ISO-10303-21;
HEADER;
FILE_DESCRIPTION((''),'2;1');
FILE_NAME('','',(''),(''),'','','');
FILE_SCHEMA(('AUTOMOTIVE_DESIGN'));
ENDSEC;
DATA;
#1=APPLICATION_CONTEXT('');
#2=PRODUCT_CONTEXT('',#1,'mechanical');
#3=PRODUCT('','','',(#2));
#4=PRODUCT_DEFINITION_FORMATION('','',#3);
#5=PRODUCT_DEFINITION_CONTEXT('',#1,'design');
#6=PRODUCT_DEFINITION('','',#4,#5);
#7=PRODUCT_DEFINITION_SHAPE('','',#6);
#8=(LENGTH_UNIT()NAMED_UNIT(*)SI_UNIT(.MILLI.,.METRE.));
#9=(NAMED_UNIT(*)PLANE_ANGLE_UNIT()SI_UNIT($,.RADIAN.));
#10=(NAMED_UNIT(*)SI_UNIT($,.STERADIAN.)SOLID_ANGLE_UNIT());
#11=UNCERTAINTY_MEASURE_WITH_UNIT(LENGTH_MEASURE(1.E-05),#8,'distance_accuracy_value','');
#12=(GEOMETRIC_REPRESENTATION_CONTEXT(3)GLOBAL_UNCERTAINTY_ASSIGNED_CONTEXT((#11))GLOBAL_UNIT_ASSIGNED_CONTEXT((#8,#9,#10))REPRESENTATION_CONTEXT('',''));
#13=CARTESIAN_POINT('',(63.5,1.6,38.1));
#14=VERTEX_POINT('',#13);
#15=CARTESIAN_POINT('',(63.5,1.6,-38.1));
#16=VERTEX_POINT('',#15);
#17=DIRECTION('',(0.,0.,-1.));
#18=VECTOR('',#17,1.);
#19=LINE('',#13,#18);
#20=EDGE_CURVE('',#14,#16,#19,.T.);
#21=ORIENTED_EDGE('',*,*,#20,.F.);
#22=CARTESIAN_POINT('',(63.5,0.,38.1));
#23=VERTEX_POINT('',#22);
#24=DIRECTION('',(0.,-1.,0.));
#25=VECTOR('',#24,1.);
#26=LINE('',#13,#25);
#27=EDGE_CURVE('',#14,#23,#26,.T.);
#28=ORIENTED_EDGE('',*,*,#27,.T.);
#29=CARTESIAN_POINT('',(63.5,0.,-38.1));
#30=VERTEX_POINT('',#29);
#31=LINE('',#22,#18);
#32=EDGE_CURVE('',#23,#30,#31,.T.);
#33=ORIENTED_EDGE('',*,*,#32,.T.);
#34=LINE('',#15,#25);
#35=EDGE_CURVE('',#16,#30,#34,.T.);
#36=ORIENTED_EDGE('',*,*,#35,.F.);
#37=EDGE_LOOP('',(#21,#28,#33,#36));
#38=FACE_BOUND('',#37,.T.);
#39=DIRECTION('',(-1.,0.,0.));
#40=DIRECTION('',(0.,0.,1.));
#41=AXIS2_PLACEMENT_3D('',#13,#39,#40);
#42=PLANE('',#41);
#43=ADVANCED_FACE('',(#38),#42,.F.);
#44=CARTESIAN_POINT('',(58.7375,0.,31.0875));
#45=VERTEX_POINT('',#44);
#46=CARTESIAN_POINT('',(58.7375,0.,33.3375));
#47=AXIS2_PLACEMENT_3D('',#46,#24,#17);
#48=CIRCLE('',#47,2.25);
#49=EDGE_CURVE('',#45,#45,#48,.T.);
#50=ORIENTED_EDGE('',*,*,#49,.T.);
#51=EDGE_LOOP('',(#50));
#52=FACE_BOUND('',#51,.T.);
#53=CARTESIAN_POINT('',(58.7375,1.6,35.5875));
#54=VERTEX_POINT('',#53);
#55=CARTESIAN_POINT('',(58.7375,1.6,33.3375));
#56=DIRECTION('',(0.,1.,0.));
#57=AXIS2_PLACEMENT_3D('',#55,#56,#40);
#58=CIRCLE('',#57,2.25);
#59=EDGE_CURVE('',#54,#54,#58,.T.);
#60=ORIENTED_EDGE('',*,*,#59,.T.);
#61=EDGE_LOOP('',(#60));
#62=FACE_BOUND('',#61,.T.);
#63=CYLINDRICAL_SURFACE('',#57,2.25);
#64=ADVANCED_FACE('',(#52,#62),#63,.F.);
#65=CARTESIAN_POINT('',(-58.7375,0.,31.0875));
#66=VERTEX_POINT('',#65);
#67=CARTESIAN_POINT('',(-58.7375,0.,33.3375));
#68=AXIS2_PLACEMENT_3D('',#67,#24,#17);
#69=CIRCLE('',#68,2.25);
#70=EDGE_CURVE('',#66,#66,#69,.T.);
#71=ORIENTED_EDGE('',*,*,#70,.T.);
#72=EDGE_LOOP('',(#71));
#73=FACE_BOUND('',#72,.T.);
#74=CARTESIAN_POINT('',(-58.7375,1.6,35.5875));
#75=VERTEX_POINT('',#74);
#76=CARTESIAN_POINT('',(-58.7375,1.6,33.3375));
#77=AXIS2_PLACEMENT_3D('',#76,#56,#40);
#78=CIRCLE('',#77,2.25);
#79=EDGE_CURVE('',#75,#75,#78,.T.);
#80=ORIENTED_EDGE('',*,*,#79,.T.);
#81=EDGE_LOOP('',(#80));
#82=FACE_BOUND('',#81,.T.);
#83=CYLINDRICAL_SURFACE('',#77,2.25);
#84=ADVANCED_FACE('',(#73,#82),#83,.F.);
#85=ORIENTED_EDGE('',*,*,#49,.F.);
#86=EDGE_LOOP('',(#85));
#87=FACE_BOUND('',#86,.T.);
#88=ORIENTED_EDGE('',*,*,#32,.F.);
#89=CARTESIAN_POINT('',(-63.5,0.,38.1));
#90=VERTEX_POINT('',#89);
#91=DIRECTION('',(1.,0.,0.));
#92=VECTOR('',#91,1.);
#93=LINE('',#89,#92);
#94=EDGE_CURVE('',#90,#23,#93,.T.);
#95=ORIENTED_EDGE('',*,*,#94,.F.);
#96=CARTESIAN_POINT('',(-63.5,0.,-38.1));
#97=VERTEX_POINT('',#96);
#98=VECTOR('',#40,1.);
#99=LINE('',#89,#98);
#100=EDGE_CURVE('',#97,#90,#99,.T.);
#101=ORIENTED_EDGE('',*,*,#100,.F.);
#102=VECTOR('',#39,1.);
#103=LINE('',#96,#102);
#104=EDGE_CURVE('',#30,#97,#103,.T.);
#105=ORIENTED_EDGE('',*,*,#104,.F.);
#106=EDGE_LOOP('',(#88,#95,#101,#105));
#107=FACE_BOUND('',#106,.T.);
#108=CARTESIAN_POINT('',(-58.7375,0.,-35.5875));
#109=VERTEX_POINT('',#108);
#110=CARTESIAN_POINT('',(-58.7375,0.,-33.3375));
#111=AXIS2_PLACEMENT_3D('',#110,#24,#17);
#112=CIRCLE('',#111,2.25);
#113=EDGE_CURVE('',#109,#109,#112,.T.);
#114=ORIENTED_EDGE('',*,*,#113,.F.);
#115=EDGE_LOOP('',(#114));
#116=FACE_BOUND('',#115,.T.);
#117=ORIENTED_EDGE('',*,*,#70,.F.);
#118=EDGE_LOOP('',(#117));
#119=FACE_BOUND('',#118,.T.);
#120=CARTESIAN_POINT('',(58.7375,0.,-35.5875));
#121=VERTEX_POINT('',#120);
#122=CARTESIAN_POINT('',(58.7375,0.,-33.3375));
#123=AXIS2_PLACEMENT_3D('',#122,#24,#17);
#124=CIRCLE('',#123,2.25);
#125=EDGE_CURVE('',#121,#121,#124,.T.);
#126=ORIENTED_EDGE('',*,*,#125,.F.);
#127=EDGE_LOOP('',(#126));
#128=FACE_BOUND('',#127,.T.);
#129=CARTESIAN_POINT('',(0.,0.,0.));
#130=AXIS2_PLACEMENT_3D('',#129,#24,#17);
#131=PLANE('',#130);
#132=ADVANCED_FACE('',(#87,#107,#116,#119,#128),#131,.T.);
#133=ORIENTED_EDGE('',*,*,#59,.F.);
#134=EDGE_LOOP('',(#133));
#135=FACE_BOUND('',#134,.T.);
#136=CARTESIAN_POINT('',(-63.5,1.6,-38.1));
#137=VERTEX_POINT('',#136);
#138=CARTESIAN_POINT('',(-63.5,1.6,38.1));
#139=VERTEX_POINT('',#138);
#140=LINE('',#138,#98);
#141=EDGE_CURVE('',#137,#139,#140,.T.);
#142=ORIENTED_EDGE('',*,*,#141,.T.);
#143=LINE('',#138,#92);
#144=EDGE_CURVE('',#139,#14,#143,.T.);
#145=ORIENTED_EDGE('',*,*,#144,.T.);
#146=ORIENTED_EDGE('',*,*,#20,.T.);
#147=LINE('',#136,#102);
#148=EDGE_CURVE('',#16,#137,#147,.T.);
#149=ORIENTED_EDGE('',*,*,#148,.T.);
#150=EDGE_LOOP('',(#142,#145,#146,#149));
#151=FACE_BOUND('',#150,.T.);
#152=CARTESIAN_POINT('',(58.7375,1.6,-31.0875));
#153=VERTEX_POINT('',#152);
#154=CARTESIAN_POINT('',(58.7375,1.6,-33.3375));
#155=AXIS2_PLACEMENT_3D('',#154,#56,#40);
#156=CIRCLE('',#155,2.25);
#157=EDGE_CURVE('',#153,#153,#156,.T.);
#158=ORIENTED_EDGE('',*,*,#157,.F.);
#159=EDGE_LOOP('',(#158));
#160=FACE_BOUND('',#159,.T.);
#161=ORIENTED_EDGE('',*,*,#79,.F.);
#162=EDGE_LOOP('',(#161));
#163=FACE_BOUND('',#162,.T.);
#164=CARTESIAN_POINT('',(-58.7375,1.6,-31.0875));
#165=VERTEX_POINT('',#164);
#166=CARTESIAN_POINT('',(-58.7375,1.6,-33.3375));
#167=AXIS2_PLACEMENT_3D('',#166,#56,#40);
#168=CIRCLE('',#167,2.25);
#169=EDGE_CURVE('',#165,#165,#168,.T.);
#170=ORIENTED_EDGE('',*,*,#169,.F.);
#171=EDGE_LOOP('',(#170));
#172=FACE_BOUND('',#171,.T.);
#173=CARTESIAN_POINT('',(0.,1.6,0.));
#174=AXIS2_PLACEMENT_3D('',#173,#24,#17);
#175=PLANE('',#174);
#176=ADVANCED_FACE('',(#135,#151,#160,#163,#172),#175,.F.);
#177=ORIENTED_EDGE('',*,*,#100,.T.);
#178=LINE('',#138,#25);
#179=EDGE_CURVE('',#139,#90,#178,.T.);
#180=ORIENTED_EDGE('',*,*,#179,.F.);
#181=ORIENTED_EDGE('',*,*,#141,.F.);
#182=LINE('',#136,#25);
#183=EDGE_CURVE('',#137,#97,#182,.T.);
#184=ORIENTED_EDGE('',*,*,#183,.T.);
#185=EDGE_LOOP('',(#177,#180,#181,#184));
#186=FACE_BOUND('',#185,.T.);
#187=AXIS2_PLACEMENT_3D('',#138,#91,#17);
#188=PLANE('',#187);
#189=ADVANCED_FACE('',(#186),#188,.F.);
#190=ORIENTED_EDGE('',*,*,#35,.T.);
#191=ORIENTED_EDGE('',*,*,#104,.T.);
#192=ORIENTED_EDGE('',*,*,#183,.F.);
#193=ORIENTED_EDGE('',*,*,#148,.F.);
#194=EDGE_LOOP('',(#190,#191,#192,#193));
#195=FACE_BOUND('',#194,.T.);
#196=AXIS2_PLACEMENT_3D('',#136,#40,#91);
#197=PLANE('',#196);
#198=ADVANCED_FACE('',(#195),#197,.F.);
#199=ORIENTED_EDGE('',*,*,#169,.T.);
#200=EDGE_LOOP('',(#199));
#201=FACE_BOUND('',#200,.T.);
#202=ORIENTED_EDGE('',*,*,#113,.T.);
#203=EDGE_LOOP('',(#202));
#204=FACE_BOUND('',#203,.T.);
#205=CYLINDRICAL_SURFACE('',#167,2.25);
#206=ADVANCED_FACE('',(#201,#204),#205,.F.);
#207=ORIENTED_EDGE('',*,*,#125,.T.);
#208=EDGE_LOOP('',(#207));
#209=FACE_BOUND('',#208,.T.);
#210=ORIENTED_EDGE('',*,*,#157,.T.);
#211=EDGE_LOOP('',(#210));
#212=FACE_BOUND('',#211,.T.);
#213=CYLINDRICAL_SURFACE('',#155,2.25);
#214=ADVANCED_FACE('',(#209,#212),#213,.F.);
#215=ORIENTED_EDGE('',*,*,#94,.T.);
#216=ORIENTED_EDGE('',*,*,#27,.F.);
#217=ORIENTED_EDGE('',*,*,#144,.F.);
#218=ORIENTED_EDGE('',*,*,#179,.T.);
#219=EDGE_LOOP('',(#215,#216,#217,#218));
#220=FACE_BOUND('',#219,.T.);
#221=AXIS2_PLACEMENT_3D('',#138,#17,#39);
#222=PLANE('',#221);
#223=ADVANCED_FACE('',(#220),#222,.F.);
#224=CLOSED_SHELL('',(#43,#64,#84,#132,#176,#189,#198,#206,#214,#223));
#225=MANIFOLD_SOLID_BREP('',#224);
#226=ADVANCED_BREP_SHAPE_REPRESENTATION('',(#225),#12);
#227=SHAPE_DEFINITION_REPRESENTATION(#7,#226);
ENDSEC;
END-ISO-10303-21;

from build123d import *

# Parameters (mm, degrees)
SKETCH1_W                = 127
SKETCH1_H                = 76.2
BOSS_EXTRUDE1_DEPTH      = 1.6
M4_CLEARANCE_HOLE1_D     = 4.5
M4_CLEARANCE_HOLE1_DEPTH = 50
M4_CLEARANCE_HOLE1_TIP   = 1.351936393


with BuildPart() as part:
    # Sketch1 → Boss-Extrude1 (new body)
    with BuildSketch(Plane(origin=(0, 0, 0), x_dir=(1, 0, 0), z_dir=(0, 1, 0))):
        Rectangle(SKETCH1_W, SKETCH1_H)
    extrude(amount=BOSS_EXTRUDE1_DEPTH)

    # M4 Clearance Hole1
    with Locations(Plane(origin=(0, 1.6, 0), x_dir=(1, 0, 0), z_dir=(0, 1, 0))):
        with Locations((-58.7375, 33.3375), (-58.7375, -33.3375), (58.7375, -33.3375), (58.7375, 33.3375)):
            Hole(M4_CLEARANCE_HOLE1_D / 2, depth=M4_CLEARANCE_HOLE1_DEPTH)
            with Locations((0, 0, -(M4_CLEARANCE_HOLE1_DEPTH + M4_CLEARANCE_HOLE1_TIP / 2))):  # 118° drill point
                Cone(0, M4_CLEARANCE_HOLE1_D / 2, M4_CLEARANCE_HOLE1_TIP, mode=Mode.SUBTRACT)


solid = part.part
